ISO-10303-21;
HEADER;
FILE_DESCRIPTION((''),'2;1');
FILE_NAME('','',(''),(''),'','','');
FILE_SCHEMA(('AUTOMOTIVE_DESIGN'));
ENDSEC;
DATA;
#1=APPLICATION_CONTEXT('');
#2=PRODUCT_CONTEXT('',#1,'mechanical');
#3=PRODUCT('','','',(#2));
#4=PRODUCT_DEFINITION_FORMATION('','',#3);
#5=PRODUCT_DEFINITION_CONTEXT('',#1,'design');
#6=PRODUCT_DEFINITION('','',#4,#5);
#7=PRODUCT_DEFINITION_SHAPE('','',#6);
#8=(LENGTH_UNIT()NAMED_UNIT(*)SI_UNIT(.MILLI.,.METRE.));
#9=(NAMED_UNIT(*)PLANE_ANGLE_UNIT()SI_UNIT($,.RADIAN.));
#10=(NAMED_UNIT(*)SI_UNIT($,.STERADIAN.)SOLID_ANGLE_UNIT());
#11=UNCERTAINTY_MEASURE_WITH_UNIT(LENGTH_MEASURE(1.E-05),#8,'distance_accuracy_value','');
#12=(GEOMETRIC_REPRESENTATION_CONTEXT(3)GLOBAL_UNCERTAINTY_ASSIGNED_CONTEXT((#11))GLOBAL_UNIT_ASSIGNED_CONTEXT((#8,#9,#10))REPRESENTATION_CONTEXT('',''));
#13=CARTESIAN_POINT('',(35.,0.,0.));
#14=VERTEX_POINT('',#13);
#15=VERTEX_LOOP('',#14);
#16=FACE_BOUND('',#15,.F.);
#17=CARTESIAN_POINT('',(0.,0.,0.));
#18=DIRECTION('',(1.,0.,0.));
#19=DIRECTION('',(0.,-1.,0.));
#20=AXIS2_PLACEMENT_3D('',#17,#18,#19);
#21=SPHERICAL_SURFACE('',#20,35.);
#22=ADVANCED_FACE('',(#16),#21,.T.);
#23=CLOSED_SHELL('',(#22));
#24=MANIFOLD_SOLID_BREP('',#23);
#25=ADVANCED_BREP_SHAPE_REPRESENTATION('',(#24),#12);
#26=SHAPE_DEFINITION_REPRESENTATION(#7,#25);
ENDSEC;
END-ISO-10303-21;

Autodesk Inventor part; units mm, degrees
ref_plane "YZ Plane" through (0, 0, 0) normal (1, 0, 0) x (0, 1, 0)
ref_plane "XZ Plane" through (0, 0, 0) normal (0, 1, 0) x (-1, 0, 0)
ref_plane "XY Plane" through (0, 0, 0) normal (0, 0, 1) x (1, 0, 0)
sketch "Sketch1" plane through (0, 0, 0) normal (0, 0, 1) x (1, 0, 0)
  arc A0 (-35, 0) -> (35, 0) centre (0, 0) ccw
  line L0 (35, 0) -> (-35, 0)
  dimension "d0" = 70
revolve "Revolution1" add sketch "Sketch1" angle 360 about axis through (35, 0, 0) along (-1, 0, 0)
properties part number "KinematicMidWay"
